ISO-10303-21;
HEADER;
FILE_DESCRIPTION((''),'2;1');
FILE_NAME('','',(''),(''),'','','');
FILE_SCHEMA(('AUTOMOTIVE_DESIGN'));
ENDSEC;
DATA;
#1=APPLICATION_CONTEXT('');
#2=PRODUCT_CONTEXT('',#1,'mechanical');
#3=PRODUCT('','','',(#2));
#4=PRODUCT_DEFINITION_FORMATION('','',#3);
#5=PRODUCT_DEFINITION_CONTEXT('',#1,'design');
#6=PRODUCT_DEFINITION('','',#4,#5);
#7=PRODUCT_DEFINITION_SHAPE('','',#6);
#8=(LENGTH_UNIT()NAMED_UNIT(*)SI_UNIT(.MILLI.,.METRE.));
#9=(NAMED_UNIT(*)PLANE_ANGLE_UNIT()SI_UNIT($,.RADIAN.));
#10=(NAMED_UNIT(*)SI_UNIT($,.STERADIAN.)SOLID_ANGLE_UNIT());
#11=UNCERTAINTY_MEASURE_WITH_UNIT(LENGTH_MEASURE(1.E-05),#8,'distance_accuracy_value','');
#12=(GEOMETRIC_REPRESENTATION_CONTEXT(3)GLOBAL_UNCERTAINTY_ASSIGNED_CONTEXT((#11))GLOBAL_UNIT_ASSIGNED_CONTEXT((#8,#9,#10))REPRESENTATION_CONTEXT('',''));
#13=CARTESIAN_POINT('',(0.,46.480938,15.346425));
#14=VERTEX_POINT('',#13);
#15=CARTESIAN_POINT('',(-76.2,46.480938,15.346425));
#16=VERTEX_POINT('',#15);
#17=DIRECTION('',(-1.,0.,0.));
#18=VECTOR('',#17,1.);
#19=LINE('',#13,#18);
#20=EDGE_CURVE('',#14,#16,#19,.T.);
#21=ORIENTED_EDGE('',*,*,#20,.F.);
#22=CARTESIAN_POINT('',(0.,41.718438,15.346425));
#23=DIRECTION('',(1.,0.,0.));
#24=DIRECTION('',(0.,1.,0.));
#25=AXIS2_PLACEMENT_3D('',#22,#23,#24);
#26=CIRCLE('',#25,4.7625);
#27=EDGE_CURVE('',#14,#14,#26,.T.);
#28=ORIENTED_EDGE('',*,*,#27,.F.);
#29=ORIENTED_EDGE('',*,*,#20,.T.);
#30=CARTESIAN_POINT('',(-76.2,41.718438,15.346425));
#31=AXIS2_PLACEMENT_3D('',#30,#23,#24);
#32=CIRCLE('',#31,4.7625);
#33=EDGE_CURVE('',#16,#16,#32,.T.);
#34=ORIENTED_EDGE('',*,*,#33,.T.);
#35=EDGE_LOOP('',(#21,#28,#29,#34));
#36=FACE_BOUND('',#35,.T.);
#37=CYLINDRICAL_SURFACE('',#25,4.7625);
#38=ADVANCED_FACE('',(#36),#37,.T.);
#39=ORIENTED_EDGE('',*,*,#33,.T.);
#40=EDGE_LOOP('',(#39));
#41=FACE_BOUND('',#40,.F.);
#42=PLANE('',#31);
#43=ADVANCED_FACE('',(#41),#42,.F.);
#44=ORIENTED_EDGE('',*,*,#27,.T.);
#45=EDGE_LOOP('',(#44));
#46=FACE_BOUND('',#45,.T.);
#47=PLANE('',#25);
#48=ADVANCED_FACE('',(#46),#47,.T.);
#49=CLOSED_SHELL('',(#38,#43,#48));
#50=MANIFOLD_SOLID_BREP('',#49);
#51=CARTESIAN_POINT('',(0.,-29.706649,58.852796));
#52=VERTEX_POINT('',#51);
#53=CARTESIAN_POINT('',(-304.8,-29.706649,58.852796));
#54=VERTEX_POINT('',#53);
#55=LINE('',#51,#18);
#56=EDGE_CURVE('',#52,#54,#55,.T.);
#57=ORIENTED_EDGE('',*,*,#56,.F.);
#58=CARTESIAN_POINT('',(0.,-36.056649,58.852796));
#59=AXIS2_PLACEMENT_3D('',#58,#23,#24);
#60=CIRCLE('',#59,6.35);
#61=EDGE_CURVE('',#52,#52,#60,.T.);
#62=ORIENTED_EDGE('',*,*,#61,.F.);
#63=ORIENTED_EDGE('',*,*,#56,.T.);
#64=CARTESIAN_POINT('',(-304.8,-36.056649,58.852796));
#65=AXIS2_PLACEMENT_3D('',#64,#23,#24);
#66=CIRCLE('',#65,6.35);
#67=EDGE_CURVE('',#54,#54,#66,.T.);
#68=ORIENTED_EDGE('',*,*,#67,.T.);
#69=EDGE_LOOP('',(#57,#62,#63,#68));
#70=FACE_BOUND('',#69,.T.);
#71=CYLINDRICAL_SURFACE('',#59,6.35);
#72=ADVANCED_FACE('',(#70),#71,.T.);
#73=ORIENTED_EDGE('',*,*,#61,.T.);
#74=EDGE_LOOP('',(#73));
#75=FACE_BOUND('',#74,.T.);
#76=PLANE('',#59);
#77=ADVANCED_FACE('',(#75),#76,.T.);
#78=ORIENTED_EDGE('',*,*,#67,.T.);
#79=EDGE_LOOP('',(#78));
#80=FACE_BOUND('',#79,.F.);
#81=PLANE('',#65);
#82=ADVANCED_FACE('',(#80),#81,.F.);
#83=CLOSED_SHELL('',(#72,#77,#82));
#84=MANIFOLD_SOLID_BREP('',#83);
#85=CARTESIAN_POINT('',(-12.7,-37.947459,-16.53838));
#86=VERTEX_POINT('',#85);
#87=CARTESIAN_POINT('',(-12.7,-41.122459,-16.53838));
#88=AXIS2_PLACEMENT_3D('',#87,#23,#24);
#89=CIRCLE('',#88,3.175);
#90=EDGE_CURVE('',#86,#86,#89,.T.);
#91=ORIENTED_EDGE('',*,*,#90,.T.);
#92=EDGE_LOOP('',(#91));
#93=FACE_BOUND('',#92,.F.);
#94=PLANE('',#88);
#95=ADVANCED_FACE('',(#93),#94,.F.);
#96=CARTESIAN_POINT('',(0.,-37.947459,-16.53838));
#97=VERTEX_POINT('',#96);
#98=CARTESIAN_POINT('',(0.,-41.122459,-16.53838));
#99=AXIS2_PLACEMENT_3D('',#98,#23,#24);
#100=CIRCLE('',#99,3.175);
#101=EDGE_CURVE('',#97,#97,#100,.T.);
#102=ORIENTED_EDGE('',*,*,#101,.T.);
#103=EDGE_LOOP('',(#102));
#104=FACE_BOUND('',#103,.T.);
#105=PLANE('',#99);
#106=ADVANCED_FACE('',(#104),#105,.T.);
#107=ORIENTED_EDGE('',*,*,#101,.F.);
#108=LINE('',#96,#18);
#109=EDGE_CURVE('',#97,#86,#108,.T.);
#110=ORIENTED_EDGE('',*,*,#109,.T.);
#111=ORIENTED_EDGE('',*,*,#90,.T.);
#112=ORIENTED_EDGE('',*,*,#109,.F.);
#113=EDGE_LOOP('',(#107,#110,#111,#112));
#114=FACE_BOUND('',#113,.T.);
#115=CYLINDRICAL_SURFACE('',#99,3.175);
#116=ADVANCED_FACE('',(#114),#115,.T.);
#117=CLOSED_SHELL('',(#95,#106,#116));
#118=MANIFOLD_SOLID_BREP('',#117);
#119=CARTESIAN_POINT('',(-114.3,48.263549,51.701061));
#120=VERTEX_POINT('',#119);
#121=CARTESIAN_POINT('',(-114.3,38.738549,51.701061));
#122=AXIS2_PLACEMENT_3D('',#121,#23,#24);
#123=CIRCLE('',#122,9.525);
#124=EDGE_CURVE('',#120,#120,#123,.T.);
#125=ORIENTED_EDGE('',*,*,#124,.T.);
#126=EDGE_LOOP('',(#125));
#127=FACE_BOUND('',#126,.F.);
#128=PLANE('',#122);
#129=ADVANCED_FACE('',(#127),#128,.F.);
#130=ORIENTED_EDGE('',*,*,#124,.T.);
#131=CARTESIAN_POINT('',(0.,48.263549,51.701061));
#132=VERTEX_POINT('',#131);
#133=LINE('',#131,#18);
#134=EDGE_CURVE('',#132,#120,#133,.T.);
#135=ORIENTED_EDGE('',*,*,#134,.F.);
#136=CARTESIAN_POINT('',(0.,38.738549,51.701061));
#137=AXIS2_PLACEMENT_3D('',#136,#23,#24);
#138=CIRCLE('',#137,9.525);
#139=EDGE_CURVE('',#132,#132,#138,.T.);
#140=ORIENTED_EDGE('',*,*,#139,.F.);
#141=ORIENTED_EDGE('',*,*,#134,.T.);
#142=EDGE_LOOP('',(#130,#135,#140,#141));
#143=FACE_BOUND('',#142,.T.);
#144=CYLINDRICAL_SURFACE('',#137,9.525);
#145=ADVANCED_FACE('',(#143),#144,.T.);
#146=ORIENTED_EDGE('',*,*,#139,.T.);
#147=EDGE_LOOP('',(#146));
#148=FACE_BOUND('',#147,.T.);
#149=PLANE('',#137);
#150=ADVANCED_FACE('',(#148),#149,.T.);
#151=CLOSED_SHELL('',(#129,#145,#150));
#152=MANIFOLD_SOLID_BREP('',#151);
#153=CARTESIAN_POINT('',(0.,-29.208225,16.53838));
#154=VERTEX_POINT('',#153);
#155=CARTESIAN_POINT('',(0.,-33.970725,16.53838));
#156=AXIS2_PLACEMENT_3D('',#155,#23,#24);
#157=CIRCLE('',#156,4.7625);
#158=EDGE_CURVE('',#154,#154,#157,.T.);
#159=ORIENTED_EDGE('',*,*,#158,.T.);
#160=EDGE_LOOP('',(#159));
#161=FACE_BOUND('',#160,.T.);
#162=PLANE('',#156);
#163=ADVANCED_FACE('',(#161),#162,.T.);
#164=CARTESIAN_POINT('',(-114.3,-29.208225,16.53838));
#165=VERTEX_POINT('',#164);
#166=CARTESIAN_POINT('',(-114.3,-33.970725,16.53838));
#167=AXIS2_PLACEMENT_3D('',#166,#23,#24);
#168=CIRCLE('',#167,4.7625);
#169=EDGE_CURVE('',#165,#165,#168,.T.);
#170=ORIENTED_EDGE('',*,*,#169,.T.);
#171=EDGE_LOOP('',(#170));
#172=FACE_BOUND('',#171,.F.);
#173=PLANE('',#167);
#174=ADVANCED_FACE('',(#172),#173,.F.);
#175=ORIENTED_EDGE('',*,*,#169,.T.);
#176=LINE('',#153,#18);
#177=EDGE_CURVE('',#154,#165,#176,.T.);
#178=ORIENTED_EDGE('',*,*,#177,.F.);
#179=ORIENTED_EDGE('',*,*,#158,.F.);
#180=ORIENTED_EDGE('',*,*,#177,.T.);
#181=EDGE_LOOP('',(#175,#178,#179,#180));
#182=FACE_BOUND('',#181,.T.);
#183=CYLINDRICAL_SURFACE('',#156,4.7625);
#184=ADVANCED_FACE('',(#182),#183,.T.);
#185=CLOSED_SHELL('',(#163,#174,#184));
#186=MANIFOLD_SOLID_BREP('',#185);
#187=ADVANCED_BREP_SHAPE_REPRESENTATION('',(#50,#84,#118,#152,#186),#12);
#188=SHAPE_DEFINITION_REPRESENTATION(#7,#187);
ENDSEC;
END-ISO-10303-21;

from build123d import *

# Parameters (mm, degrees)
F0_R     = 6.35
F1_DEPTH = 304.8
F2_R     = 9.525
F3_DEPTH = 114.3
F4_R     = 4.7625
F5_DEPTH = 114.3
F6_R     = 4.7625
F7_DEPTH = 76.2
F8_R     = 3.175
F9_DEPTH = 12.7


with BuildPart() as f1:
    # F0 (on Right) → F1 (new body)
    with BuildSketch(Plane.YZ):
        with Locations((-36.056649, 58.852796)):
            Circle(F0_R)
    extrude(amount=-F1_DEPTH)


with BuildPart() as f3:
    # F2 (on Right) → F3 (new body)
    with BuildSketch(Plane.YZ):
        with Locations((38.738549, 51.701061)):
            Circle(F2_R)
    extrude(amount=-F3_DEPTH)


with BuildPart() as f5:
    # F4 (on Right) → F5 (new body)
    with BuildSketch(Plane.YZ):
        with Locations((-33.970725, 16.53838)):
            Circle(F4_R)
    extrude(amount=-F5_DEPTH)


with BuildPart() as f7:
    # F6 (on Right) → F7 (new body)
    with BuildSketch(Plane.YZ):
        with Locations((41.718438, 15.346425)):
            Circle(F6_R)
    extrude(amount=-F7_DEPTH)


with BuildPart() as f9:
    # F8 (on Right) → F9 (new body)
    with BuildSketch(Plane.YZ):
        with Locations((-41.122459, -16.53838)):
            Circle(F8_R)
    extrude(amount=-F9_DEPTH)


solid = Compound([f1.part, f3.part, f5.part, f7.part, f9.part])
